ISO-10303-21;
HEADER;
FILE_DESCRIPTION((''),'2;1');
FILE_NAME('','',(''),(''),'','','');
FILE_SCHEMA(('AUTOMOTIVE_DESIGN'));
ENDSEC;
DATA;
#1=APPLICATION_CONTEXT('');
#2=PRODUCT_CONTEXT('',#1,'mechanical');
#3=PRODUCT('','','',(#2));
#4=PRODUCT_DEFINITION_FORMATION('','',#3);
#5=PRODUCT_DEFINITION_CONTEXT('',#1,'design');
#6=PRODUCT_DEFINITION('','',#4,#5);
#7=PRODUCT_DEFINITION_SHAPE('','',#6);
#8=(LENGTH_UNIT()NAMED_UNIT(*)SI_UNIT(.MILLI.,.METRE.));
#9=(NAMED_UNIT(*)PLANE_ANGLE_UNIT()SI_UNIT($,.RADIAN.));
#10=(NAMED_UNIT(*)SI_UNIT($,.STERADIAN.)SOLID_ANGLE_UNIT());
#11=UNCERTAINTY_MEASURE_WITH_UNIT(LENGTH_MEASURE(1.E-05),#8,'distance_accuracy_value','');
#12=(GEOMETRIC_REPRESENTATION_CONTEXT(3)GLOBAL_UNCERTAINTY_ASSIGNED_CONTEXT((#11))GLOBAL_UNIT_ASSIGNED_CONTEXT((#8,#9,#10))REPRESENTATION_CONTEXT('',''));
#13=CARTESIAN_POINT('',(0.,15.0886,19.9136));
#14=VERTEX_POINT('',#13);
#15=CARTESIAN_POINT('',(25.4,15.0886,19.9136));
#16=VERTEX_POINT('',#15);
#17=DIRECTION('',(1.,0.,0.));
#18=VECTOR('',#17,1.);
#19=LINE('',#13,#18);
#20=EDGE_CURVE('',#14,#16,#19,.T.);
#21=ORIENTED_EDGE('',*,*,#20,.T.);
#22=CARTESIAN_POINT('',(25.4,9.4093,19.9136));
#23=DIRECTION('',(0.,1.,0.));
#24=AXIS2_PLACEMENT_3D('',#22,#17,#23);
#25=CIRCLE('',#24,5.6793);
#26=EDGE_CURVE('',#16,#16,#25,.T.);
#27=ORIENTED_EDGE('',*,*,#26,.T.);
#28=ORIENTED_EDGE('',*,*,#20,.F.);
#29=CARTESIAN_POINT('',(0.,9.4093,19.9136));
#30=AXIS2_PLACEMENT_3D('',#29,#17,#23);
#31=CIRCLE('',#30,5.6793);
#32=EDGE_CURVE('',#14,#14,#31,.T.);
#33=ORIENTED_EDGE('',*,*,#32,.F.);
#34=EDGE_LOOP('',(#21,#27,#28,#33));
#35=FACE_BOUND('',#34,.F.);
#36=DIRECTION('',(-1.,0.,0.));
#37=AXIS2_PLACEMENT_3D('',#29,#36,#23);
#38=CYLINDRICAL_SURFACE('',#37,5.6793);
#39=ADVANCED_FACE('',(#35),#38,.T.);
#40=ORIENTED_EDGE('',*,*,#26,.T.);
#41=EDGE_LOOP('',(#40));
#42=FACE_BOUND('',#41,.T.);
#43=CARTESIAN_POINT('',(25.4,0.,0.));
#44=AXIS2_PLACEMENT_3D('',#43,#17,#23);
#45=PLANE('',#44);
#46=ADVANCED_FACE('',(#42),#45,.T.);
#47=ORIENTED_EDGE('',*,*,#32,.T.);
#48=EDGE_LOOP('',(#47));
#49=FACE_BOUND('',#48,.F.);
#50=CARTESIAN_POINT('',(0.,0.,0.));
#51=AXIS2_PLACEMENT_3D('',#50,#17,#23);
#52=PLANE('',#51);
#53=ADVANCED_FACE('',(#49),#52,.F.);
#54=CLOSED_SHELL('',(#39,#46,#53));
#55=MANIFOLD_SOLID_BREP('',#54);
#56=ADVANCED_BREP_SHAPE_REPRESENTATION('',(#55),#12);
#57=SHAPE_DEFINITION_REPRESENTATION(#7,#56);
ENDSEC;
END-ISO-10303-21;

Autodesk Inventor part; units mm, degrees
ref_plane "YZ Plane" through (0, 0, 0) normal (1, 0, 0) x (0, 1, 0)
ref_plane "XZ Plane" through (0, 0, 0) normal (0, 1, 0) x (-1, 0, 0)
ref_plane "XY Plane" through (0, 0, 0) normal (0, 0, 1) x (1, 0, 0)
sketch "Sketch1" plane through (0, 0, 0) normal (1, 0, 0) x (0, 1, 0)
  circle A0 centre (9.4093, 19.9136) radius 5.6793
  point P0 (0, 0)
  dimension "d0" = 25.4
extrude "Extrusion1" add sketch "Sketch1" along normal blind 25.4
properties part number "PLTW 6.5"
